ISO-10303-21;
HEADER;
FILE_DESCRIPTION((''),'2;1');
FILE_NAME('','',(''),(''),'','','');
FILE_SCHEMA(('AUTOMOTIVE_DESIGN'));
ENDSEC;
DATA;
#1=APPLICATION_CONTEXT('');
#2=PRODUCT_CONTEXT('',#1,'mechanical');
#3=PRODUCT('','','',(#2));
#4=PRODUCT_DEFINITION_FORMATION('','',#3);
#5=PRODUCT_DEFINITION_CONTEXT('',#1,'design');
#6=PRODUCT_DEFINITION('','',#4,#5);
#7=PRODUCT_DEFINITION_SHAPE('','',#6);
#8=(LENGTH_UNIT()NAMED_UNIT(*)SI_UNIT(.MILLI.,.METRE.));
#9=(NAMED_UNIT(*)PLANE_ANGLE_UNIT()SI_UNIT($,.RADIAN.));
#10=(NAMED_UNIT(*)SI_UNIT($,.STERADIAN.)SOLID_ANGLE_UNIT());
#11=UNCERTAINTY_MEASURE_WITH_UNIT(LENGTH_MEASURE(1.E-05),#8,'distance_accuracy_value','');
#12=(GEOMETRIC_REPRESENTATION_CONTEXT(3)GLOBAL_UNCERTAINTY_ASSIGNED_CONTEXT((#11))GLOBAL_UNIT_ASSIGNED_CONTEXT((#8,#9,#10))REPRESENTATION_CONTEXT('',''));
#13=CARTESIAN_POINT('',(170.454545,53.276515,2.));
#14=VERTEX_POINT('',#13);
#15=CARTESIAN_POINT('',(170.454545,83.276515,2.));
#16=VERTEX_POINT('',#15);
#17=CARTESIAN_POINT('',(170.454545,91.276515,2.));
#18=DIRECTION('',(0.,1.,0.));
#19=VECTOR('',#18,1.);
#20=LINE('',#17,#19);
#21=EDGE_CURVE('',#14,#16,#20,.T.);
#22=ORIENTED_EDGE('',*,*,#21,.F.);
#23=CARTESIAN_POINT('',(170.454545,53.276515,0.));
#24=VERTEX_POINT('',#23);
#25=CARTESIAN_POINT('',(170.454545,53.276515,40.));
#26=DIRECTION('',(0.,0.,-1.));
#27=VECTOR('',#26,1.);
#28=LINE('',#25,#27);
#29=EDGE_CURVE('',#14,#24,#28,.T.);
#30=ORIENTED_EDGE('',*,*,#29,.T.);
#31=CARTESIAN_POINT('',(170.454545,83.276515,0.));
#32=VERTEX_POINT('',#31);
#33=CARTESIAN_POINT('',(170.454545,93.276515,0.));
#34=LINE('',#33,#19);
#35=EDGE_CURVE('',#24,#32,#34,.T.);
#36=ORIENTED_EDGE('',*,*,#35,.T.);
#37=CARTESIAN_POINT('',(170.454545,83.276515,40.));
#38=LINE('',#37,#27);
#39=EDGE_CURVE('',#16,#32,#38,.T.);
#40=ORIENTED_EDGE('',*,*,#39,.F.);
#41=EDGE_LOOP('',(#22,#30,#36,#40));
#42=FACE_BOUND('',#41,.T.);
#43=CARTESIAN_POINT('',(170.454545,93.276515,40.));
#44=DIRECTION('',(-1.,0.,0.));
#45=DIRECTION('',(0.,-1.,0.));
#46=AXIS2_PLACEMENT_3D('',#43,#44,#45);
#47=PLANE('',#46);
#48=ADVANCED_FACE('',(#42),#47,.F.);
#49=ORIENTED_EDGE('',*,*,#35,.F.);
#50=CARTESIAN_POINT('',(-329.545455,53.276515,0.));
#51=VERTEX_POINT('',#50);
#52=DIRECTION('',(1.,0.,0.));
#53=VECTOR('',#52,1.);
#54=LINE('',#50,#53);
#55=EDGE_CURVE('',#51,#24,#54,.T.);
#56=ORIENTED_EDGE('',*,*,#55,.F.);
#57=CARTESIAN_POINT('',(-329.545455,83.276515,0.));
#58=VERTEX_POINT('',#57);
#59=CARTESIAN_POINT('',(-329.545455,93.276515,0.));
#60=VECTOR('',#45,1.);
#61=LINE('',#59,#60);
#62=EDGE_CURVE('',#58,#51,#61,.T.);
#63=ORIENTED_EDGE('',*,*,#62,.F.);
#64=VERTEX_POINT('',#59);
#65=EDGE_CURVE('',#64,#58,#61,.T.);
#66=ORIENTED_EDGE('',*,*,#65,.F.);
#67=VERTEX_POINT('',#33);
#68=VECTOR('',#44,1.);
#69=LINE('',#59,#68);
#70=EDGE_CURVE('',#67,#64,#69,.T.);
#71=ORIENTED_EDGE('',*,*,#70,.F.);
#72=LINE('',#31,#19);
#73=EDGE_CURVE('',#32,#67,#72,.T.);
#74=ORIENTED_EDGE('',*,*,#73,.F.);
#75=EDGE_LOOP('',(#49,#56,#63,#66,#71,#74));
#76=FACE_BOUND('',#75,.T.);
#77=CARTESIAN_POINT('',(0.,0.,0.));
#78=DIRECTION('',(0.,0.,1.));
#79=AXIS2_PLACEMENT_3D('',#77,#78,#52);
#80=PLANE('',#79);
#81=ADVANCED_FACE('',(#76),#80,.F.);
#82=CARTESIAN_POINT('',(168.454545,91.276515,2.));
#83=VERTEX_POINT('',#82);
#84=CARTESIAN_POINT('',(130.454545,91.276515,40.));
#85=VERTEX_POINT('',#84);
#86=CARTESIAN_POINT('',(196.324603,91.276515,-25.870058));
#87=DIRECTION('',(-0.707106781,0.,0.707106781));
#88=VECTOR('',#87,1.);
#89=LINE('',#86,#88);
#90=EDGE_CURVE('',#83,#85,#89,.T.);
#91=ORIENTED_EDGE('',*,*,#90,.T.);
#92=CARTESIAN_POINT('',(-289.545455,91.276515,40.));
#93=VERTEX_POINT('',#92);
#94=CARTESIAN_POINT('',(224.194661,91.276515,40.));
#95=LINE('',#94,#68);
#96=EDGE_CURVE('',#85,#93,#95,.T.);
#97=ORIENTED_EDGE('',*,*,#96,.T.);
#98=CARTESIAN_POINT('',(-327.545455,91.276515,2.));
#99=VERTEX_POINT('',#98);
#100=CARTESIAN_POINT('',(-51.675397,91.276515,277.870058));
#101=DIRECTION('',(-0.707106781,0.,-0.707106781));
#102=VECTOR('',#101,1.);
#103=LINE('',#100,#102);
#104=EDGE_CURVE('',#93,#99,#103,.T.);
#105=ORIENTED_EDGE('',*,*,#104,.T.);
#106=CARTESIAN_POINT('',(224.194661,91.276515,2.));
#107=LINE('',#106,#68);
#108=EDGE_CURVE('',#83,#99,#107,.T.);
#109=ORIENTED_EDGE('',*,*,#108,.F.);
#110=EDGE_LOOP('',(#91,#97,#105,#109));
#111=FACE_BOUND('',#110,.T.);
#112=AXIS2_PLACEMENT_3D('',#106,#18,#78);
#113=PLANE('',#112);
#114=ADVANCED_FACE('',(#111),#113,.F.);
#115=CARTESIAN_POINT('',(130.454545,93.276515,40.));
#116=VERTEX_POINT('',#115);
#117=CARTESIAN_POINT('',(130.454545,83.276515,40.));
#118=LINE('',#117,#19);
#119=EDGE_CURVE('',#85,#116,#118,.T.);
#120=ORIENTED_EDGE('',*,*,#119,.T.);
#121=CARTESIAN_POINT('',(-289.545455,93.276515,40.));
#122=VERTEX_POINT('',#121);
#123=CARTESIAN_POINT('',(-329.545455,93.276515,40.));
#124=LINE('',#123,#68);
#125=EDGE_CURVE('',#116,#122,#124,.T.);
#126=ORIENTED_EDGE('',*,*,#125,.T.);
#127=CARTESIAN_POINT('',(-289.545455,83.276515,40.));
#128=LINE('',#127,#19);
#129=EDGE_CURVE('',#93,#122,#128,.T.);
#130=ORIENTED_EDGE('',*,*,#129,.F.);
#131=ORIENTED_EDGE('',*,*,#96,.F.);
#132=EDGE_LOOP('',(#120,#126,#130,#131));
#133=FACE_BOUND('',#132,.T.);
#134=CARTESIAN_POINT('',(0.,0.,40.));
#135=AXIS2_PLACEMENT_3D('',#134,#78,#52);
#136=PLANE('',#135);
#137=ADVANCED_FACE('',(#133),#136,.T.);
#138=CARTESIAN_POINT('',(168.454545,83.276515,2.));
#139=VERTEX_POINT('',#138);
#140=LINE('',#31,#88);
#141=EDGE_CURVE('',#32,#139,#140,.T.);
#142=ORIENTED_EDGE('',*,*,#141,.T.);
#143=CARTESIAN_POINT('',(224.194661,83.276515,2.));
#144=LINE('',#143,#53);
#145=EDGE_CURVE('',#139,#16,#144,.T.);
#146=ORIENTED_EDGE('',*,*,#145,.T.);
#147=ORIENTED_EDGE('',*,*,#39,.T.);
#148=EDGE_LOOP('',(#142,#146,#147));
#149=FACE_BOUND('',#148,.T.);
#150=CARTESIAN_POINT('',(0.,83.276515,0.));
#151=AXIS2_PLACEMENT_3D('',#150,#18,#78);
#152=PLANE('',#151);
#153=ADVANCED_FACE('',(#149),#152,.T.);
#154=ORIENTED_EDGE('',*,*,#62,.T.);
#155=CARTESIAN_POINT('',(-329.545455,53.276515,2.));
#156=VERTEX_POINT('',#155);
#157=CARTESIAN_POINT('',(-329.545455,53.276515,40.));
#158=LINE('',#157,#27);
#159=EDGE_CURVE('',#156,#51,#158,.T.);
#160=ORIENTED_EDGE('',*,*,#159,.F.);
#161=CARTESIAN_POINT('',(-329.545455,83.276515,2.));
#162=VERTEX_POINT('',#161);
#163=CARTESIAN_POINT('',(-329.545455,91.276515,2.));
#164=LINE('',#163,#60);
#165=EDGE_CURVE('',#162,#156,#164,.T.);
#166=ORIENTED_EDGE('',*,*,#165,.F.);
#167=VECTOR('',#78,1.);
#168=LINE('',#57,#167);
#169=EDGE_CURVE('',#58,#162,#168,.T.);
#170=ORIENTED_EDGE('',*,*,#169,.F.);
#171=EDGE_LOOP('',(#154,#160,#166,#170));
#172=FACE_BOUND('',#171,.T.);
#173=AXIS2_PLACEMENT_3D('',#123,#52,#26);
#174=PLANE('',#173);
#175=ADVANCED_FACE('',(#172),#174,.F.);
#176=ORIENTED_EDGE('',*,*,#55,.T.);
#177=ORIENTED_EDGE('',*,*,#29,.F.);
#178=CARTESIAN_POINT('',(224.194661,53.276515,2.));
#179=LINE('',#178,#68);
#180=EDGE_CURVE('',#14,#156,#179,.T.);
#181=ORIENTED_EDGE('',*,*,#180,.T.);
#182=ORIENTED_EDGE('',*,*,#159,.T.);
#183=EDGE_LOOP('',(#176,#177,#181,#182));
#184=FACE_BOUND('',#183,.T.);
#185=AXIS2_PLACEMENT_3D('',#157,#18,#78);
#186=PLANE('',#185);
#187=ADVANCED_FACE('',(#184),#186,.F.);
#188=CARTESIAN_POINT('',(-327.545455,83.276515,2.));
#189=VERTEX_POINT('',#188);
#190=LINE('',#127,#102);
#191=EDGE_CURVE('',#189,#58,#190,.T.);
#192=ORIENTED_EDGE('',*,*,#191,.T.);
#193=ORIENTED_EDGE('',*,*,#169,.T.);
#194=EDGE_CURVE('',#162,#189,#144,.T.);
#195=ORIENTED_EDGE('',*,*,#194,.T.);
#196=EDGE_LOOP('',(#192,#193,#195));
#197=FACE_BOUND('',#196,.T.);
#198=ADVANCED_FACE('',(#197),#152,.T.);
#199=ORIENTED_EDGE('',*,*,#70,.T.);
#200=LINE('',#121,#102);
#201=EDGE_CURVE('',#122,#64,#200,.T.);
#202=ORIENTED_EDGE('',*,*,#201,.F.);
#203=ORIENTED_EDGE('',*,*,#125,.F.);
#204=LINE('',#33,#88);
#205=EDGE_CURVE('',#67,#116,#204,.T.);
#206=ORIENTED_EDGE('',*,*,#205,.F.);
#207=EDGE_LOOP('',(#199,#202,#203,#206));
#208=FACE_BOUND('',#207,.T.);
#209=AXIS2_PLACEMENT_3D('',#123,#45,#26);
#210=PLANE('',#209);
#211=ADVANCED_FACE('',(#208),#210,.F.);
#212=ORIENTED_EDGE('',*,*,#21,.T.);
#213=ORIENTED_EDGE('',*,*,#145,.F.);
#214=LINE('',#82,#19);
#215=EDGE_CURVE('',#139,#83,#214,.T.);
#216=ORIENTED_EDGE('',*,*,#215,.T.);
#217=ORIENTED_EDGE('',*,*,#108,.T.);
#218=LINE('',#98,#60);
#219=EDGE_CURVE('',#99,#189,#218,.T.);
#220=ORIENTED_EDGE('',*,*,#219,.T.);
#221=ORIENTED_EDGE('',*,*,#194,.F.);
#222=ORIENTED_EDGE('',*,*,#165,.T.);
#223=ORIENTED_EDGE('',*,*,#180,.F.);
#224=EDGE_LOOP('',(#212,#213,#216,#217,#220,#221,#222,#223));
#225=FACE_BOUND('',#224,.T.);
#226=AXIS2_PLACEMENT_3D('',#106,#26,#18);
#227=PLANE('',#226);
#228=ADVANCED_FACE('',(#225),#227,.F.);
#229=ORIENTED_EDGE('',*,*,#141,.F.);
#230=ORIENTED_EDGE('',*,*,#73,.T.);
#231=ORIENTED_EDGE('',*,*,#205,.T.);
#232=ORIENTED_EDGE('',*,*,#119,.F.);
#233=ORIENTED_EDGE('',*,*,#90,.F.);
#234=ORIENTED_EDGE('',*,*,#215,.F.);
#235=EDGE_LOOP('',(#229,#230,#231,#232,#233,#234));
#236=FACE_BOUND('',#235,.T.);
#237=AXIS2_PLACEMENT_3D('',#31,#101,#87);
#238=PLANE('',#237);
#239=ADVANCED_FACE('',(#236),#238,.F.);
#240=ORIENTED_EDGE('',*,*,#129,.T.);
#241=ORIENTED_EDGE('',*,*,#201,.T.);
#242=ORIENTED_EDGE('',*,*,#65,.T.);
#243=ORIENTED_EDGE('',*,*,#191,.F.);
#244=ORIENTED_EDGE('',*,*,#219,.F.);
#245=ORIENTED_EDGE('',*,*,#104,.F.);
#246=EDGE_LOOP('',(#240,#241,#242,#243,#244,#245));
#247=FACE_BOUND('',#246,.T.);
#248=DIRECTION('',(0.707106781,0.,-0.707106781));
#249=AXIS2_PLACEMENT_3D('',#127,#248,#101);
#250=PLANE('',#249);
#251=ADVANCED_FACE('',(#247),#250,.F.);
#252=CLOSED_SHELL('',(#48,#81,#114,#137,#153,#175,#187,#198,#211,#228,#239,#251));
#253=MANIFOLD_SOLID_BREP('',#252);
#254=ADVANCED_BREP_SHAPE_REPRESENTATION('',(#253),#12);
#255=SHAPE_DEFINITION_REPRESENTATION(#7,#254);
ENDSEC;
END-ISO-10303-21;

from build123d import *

# Parameters (mm, degrees)
SKETCH2_W           = 500
SKETCH2_H           = 40
BOSS_EXTRUDE1_DEPTH = 40
SKETCH3_W           = 38
SKETCH3_H           = 38
CUT_EXTRUDE1_DEPTH  = 500
CUT_EXTRUDE2_DEPTH  = 10


with BuildPart() as part:
    # Sketch2 → Boss-Extrude1 (new body)
    with BuildSketch(Plane.XY):
        with Locations((-79.545454545, 73.276515152)):
            Rectangle(SKETCH2_W, SKETCH2_H)
    extrude(amount=BOSS_EXTRUDE1_DEPTH)

    # Sketch3 → Cut-Extrude1 (cut)
    with BuildSketch(Plane.ZY.offset(329.545454545)):
        with Locations((21, 72.276515152)):
            Rectangle(SKETCH3_W, SKETCH3_H)
    extrude(amount=-CUT_EXTRUDE1_DEPTH, mode=Mode.SUBTRACT)

    # Sketch4 → Cut-Extrude2 (cut)
    with BuildSketch(Plane(origin=(0, 93.276515152, 0), x_dir=(1, 0, 0), z_dir=(0, 1, 0))):
        Polygon((-329.545454545, 0), (-329.545454545, -40), (-289.545454545, -40), align=None)
        Polygon((170.454545455, -40), (170.454545455, 0), (130.454545455, -40), align=None)
    extrude(amount=-CUT_EXTRUDE2_DEPTH, mode=Mode.SUBTRACT)


solid = part.part
